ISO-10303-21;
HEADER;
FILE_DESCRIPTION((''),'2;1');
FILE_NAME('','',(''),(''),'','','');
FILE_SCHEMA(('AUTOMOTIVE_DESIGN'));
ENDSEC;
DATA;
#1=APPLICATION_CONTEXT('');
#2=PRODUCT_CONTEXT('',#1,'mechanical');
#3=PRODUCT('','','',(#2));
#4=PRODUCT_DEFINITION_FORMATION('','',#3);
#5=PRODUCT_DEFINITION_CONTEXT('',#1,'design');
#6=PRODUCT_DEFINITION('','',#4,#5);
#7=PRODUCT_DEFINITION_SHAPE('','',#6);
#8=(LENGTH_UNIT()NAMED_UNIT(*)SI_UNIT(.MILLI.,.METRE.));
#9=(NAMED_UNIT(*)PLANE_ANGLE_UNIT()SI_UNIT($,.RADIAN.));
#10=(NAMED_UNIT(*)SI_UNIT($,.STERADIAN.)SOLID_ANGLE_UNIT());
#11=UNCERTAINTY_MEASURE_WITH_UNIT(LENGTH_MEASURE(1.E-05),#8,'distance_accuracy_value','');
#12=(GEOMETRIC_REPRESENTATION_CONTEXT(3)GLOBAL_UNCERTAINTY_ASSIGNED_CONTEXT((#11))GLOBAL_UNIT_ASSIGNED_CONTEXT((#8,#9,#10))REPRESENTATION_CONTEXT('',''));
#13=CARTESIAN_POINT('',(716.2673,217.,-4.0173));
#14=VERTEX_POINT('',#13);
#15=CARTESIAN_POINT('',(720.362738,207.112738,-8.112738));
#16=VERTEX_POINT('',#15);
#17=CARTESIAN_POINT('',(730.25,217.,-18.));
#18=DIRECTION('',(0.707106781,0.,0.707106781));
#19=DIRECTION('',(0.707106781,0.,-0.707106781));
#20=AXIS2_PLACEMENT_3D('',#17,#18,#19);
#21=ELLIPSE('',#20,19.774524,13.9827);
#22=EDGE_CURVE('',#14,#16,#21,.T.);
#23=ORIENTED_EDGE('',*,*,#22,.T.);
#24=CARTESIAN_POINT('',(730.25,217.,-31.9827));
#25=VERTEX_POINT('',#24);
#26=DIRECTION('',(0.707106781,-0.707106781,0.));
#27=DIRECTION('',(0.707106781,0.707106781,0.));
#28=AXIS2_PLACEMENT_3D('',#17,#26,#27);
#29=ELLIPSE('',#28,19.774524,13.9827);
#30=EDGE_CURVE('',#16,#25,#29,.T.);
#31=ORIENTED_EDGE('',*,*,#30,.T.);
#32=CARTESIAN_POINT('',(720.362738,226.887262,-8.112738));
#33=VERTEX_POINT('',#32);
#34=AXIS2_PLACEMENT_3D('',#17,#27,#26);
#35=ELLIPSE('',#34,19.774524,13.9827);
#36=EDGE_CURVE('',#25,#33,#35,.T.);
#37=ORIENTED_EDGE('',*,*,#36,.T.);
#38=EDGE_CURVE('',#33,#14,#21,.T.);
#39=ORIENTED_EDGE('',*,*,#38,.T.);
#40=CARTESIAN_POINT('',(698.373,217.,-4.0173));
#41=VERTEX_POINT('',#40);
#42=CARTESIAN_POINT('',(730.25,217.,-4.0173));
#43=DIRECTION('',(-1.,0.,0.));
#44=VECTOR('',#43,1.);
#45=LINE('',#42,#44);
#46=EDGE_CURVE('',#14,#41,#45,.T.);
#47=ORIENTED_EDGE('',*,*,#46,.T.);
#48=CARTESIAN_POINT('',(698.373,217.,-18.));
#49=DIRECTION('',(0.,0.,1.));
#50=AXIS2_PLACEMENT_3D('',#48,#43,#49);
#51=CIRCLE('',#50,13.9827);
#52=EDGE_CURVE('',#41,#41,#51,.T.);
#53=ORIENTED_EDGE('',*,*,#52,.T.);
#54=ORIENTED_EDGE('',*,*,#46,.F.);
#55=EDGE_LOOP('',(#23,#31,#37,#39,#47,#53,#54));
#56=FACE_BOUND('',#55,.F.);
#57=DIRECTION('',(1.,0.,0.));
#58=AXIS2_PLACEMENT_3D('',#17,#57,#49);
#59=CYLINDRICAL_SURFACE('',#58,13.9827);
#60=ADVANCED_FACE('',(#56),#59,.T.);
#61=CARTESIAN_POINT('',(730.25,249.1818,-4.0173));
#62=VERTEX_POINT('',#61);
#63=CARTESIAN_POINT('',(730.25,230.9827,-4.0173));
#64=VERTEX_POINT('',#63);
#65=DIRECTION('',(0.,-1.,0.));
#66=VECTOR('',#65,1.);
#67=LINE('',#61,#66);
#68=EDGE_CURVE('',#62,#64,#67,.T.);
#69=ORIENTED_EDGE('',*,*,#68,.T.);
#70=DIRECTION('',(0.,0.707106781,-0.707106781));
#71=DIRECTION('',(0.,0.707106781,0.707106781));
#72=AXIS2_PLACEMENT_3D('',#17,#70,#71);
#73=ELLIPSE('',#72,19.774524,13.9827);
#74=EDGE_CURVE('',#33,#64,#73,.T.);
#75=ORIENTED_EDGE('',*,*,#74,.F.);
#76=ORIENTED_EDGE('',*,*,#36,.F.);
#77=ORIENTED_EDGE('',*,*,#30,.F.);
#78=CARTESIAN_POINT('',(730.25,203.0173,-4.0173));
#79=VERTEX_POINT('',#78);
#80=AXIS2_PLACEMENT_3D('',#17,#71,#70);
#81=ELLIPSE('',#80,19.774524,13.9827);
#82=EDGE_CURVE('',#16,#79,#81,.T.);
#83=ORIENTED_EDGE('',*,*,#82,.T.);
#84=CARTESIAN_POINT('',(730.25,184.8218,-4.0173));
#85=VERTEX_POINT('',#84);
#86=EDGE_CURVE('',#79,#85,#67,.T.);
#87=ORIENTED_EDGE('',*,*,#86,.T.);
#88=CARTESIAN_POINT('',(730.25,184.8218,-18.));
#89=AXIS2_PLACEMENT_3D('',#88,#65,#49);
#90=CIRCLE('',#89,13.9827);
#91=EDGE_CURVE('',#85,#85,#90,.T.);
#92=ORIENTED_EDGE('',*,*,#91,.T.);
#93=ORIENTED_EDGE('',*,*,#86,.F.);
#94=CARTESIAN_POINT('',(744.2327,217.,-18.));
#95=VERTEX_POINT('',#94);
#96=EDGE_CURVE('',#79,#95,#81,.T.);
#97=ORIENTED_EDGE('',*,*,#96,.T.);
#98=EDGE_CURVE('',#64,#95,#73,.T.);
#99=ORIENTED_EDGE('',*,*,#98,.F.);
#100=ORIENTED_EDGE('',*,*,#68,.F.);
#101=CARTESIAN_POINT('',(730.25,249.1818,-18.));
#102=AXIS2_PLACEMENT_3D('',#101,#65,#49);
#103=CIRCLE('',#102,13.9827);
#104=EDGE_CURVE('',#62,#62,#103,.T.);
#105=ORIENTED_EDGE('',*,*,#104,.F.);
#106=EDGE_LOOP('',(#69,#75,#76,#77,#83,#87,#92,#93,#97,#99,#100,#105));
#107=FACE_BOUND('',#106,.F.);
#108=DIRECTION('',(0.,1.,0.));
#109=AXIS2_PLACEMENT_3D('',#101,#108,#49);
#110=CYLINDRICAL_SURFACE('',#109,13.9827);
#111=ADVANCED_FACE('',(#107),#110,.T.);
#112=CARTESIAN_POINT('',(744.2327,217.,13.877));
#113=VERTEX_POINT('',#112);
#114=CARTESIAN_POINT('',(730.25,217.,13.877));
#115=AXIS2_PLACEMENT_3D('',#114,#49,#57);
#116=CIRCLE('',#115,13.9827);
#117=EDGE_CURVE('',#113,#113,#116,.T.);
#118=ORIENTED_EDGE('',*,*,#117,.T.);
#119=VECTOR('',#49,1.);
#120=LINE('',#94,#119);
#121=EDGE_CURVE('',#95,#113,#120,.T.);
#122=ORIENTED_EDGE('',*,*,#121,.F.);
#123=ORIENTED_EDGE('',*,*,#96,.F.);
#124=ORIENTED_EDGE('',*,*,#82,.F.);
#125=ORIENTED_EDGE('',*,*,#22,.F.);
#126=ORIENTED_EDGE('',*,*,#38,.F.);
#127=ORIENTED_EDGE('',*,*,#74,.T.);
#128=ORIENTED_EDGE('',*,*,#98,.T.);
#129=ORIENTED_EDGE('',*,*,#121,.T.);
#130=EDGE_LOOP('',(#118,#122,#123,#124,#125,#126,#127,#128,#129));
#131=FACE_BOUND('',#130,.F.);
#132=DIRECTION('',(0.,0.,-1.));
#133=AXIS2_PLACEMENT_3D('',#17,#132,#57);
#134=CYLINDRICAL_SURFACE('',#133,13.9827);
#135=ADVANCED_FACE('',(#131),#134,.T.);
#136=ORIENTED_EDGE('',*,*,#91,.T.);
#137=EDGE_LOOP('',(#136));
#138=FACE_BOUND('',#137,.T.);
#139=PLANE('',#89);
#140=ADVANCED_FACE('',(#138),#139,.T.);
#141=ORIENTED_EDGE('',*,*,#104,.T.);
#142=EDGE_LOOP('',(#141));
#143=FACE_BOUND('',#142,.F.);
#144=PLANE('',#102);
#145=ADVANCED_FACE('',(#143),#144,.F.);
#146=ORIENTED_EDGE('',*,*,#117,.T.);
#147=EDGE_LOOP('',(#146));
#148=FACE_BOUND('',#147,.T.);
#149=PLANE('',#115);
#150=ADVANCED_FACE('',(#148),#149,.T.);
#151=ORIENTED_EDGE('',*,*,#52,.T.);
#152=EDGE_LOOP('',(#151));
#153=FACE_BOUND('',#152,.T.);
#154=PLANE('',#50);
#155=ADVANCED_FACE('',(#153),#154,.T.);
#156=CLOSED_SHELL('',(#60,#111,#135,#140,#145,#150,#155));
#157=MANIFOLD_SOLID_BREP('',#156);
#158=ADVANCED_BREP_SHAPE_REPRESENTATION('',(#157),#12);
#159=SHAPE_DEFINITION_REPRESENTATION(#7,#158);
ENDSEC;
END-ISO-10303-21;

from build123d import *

# Parameters (mm, degrees)
CYLINDER030_R             = 13.9827
CYLINDER030_DEPTH         = 31.877
CYLINDER029_R             = 13.9827
CYLINDER029_DEPTH         = 64.36
CYLINDER031_R             = 13.9827
CYLINDER031_DEPTH         = 31.877
FUSION013_PLACEMENT_ANGLE = 90


with BuildPart() as cylinder030:
    # Cylinder030 → Cylinder030 (new body)
    with BuildSketch(Plane(origin=(0, 0, 0), x_dir=(0, 0, -1), z_dir=(1, 0, 0))):
        Circle(CYLINDER030_R)
    extrude(amount=CYLINDER030_DEPTH)


with BuildPart() as cylinder029:
    # Cylinder029 → Cylinder029 (new body)
    with BuildSketch(Plane.XZ.offset(-32.1818)):
        Circle(CYLINDER029_R)
    extrude(amount=CYLINDER029_DEPTH)


with BuildPart() as front_4_way_r:
    # Cylinder031 → Cylinder031 (new body)
    with BuildSketch(Plane.XY):
        Circle(CYLINDER031_R)
    extrude(amount=CYLINDER031_DEPTH)

    # Fusion014: union Cylinder029
    add(cylinder029.part)

    # Fusion013: union Cylinder030
    add(cylinder030.part)


with BuildPart() as front_4_way_r_1:
    # Fusion013 placement: moved
    add(front_4_way_r.part.moved(Location((730.25, 217, -18))).rotate(Axis((730.25, 217, -18), (0, -1, 0)), FUSION013_PLACEMENT_ANGLE))


solid = front_4_way_r_1.part
